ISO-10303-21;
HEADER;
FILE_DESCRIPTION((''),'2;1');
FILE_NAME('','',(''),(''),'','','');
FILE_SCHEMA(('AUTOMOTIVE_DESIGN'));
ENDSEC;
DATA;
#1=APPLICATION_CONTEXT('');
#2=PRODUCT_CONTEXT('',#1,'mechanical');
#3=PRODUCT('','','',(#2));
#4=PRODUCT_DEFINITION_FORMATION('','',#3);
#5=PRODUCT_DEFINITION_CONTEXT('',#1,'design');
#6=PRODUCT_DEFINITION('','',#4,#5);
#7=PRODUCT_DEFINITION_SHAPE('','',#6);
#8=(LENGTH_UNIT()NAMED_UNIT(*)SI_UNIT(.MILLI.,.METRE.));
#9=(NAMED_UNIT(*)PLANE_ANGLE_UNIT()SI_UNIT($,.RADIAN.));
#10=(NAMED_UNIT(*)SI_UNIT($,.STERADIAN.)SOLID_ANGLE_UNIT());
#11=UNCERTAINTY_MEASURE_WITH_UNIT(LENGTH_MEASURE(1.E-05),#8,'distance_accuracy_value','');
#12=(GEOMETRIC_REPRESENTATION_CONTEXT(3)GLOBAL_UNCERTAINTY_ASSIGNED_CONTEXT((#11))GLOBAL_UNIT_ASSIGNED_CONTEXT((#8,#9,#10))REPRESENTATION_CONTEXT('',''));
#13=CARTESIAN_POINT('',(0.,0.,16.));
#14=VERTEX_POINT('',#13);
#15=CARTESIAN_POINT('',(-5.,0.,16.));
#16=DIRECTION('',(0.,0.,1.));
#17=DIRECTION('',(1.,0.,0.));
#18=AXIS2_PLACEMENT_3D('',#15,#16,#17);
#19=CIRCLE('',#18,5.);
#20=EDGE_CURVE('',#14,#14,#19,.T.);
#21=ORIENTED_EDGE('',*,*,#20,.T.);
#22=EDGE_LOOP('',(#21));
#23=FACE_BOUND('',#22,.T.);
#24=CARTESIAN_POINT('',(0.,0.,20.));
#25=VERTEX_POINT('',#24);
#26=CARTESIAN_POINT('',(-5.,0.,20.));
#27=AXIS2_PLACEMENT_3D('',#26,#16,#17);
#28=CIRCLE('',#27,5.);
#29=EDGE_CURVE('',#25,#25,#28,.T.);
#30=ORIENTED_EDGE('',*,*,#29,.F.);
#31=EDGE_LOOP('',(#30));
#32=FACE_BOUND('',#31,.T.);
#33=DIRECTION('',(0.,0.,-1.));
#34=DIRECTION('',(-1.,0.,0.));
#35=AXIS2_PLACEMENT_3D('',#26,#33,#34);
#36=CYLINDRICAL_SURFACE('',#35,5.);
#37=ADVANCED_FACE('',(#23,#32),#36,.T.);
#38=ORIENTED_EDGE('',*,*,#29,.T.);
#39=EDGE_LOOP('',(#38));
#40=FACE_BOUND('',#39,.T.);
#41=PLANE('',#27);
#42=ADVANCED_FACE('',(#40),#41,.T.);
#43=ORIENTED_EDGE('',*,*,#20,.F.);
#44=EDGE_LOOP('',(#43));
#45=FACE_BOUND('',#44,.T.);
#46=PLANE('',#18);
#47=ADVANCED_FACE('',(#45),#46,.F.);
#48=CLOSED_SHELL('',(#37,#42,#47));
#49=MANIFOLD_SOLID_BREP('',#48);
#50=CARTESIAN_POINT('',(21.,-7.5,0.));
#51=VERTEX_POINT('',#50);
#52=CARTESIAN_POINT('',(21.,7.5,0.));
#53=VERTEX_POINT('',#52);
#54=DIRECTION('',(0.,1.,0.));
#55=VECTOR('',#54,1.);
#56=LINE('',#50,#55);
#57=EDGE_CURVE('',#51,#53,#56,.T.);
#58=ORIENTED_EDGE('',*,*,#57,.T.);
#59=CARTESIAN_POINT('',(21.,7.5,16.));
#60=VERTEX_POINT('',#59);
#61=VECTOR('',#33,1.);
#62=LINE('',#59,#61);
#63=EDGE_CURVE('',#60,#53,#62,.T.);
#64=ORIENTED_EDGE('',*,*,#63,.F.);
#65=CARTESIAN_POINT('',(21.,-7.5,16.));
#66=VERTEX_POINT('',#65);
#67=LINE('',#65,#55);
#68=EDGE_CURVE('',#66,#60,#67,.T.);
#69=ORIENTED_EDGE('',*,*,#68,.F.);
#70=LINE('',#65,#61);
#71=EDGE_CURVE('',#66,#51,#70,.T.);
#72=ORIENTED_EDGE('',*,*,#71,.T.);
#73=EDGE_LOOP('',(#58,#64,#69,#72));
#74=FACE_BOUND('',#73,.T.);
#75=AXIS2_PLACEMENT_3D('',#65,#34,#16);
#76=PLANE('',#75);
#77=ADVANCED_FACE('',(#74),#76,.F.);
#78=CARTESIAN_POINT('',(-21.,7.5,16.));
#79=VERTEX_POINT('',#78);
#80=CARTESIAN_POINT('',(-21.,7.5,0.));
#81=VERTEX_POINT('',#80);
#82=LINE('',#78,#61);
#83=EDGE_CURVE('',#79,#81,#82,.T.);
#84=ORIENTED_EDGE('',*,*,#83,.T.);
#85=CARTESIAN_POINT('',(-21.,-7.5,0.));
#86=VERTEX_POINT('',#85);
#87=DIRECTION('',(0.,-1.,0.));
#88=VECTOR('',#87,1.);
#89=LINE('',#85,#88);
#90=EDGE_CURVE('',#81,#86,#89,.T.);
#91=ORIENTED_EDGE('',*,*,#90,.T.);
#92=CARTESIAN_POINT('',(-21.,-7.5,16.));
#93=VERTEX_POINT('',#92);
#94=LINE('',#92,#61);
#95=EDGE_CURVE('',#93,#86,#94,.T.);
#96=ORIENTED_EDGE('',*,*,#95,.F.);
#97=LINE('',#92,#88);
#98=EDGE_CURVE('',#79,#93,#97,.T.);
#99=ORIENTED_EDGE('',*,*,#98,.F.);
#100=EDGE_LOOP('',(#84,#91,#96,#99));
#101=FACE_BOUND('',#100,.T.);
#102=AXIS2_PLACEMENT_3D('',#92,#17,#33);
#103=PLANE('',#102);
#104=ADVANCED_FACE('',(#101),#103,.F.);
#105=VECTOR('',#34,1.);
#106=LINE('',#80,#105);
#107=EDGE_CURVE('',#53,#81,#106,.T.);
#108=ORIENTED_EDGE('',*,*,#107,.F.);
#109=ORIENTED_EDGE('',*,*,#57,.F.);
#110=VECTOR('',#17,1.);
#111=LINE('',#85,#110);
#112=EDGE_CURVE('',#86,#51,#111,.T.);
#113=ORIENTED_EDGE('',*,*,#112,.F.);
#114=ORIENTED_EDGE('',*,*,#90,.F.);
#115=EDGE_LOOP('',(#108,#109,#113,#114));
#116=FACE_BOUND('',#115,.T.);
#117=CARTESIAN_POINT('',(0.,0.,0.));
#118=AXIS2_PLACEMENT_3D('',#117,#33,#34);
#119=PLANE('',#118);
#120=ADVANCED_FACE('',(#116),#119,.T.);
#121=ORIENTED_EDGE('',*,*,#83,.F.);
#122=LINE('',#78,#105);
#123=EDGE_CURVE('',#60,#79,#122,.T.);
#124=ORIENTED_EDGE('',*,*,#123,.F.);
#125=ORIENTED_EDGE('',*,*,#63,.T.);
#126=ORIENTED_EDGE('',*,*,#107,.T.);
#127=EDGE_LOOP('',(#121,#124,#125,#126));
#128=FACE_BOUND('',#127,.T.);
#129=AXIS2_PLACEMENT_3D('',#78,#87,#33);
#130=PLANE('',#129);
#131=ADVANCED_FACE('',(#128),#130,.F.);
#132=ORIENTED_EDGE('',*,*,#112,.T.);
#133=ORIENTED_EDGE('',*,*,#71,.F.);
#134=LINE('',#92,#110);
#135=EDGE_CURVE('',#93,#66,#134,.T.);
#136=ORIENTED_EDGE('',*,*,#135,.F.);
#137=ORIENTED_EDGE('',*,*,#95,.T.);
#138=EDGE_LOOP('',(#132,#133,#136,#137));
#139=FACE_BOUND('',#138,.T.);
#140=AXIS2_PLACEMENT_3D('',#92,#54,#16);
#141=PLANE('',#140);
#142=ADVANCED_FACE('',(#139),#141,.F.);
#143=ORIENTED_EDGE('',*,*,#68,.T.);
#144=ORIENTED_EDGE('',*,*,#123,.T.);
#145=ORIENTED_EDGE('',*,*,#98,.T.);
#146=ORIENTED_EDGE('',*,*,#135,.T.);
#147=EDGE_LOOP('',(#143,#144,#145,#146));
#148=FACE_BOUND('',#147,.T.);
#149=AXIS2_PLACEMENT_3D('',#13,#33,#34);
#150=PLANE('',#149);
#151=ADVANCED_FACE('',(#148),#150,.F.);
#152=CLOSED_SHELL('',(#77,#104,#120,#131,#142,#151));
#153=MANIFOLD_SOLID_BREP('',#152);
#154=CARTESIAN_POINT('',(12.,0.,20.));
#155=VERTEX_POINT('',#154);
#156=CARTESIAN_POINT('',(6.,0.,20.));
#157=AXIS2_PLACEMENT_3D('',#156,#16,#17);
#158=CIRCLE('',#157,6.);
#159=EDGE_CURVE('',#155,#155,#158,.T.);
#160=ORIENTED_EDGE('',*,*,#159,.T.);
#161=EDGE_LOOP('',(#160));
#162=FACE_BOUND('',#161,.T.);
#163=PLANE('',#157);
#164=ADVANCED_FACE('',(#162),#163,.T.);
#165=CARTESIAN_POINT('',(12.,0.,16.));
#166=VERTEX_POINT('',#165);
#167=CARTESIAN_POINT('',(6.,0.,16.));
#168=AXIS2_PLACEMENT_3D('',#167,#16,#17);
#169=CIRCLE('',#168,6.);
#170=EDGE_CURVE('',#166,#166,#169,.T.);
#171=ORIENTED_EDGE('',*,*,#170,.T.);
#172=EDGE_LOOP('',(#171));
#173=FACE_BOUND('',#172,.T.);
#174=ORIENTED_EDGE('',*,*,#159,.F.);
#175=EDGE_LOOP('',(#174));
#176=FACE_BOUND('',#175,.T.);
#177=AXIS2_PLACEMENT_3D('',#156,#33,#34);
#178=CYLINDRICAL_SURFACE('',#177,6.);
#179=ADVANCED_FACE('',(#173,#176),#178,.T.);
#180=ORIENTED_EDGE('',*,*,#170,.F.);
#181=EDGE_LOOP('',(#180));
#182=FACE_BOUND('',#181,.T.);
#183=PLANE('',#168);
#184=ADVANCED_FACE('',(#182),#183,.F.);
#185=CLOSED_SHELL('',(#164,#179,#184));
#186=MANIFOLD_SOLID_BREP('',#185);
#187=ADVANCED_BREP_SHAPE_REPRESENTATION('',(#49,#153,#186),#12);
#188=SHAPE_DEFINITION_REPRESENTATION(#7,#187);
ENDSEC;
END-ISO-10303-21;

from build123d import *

# Parameters (mm, degrees)
SKETCH3_W             = 42
SKETCH3_H             = 15
BOSS_EXTRUDE1_DEPTH   = 16
SKETCH4_R             = 5
BOSS_EXTRUDE4_DEPTH   = 4
SKETCH4_R_2           = 6
BOSS_EXTRUDE4_2_DEPTH = 4


with BuildPart() as part:
    # Sketch3 → Boss-Extrude1 (new body)
    with BuildSketch(Plane.XY):
        Rectangle(SKETCH3_W, SKETCH3_H)
    extrude(amount=BOSS_EXTRUDE1_DEPTH)


with BuildPart() as body_2:
    # Sketch4 → Boss-Extrude4 (new body)
    with BuildSketch(Plane.XY.offset(16)):
        with Locations((-5, 0)):
            Circle(SKETCH4_R)
    extrude(amount=BOSS_EXTRUDE4_DEPTH)


with BuildPart() as body_3:
    # Sketch4 → Boss-Extrude4 2 (new body)
    with BuildSketch(Plane.XY.offset(16)):
        with Locations((6, 0)):
            Circle(SKETCH4_R_2)
    extrude(amount=BOSS_EXTRUDE4_2_DEPTH)


solid = Compound([part.part, body_2.part, body_3.part])
